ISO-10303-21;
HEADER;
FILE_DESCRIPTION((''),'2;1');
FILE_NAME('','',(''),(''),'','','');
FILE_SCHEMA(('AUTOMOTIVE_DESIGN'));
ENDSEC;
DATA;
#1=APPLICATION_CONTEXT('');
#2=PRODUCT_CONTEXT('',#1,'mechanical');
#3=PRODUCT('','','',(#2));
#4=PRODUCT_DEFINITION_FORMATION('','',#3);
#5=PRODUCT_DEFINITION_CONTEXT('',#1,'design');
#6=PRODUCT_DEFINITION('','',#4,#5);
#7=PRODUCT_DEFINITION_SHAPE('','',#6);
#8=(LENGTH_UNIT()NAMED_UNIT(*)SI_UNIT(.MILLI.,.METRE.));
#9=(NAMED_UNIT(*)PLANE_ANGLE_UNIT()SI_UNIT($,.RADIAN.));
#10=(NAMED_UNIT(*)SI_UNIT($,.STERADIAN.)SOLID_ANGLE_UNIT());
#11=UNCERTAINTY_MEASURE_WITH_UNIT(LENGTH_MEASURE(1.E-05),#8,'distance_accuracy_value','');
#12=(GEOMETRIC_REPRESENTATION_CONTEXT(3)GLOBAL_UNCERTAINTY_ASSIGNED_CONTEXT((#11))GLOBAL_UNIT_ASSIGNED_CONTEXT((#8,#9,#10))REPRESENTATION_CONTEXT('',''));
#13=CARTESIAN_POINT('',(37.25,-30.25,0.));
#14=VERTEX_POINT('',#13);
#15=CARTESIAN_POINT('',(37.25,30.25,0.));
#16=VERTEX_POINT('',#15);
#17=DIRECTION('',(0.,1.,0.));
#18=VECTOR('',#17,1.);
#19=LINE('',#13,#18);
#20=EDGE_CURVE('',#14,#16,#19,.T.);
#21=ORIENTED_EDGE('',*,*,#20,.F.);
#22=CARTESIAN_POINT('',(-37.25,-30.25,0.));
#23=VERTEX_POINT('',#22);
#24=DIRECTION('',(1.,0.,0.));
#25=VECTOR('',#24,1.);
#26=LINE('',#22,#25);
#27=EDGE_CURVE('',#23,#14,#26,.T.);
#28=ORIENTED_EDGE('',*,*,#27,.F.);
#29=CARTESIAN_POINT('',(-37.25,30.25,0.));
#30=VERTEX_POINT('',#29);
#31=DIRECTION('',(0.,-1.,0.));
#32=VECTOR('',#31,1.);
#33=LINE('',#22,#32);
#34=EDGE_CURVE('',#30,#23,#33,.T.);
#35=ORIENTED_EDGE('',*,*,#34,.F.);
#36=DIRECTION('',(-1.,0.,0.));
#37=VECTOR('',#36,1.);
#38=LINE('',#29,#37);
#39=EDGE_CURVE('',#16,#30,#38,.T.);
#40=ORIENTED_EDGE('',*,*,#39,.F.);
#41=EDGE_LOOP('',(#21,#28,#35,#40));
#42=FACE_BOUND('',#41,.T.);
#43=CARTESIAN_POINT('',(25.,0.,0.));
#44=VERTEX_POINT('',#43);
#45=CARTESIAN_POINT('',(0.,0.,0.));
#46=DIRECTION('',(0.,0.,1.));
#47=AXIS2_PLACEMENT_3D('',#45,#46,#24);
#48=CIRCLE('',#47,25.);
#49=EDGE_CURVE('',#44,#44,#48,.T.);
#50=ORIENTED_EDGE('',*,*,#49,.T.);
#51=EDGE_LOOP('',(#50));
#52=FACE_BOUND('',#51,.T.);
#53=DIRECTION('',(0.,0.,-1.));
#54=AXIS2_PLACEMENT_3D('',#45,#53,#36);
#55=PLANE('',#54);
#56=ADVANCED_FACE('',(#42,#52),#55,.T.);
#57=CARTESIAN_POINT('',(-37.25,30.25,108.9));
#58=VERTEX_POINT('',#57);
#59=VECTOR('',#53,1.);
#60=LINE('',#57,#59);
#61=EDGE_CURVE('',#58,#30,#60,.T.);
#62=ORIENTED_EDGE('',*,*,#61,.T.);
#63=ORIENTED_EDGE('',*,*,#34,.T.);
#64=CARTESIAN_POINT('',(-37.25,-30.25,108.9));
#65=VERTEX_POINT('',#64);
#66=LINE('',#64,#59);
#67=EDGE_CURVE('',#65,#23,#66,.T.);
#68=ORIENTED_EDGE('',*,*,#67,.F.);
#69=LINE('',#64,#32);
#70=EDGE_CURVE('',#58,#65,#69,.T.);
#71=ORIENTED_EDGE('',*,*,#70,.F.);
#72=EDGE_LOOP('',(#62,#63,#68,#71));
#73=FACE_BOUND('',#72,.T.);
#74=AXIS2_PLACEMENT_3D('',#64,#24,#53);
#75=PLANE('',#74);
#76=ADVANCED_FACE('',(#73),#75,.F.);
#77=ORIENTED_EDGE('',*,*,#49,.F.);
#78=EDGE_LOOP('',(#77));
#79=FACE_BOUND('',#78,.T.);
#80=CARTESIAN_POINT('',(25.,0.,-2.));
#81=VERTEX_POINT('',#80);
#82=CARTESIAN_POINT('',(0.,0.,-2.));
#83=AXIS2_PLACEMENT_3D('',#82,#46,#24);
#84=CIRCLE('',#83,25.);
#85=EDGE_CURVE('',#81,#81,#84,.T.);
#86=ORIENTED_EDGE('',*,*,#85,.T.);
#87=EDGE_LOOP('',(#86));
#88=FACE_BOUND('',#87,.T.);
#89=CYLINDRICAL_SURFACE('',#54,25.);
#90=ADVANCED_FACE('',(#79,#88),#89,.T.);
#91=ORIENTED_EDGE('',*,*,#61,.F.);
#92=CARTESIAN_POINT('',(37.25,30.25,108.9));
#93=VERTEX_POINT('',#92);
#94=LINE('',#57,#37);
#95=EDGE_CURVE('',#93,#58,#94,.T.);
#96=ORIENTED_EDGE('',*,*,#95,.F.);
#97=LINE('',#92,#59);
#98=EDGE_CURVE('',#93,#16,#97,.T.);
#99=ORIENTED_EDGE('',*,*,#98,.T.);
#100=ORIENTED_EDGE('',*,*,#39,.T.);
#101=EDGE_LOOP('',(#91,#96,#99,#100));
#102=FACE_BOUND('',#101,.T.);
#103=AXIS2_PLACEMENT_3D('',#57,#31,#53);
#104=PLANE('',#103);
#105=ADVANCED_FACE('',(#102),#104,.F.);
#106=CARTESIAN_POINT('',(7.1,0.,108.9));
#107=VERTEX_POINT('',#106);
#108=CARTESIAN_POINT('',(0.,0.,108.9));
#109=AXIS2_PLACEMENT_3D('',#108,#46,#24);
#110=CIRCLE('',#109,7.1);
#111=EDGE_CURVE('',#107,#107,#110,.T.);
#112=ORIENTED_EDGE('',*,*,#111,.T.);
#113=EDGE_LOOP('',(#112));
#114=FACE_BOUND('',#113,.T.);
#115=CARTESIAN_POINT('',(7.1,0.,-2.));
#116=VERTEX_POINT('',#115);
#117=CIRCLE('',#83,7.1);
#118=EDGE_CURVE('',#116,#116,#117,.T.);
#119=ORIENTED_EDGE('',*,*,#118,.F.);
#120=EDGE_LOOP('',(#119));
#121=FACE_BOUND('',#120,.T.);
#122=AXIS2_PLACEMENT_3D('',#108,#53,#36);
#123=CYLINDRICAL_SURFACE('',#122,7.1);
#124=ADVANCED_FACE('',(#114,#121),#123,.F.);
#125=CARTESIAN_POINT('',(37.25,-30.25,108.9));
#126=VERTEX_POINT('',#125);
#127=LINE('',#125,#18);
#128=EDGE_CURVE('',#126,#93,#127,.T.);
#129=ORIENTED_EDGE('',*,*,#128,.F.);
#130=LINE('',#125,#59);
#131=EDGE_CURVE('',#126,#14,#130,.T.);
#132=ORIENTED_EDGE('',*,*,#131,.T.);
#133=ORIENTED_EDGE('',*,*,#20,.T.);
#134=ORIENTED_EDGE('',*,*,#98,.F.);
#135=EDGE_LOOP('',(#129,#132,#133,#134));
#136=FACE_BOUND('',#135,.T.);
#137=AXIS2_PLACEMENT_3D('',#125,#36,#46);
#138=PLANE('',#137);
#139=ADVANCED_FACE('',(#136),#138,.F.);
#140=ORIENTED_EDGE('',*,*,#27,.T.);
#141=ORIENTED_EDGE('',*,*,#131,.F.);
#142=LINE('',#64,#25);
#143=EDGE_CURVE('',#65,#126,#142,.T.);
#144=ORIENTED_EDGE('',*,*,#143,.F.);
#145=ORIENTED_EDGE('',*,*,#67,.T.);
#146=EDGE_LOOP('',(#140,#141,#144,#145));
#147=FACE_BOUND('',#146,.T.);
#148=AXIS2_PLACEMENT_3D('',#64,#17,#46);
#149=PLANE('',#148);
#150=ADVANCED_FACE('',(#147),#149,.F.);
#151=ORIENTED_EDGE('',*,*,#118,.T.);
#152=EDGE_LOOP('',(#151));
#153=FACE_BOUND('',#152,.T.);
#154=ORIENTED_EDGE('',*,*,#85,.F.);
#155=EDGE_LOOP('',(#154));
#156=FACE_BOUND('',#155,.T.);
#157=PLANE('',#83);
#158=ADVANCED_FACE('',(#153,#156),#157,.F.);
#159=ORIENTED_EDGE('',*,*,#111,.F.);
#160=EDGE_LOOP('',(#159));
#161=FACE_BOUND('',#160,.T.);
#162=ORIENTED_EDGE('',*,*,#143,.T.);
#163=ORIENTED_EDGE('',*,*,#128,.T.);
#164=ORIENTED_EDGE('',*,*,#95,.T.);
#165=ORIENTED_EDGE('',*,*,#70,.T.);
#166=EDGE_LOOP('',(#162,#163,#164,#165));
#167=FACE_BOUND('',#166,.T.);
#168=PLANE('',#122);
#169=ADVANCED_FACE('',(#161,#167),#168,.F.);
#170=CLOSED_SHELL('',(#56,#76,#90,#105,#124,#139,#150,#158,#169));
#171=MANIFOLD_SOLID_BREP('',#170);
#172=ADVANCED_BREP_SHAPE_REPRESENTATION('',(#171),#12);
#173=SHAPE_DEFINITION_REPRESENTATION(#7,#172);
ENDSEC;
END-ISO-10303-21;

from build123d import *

# Parameters (mm, degrees)
SKETCH1_W                                     = 74.5
SKETCH1_H                                     = 60.5
SKETCH1_R                                     = 7.1
CONSERVATIVE_MANUFACTURER_CASE_ENVELOPE_DEPTH = 108.9
D50_PILOT_ENVELOPE_START                      = -2
SKETCH2_R                                     = 25
SKETCH2_R_2                                   = 7.1
D50_PILOT_ENVELOPE_DEPTH                      = 2


with BuildPart() as part:
    # Sketch1 → Conservative_Manufacturer_Case_Envelope (new body)
    with BuildSketch(Plane.XY):
        Rectangle(SKETCH1_W, SKETCH1_H)
        Circle(SKETCH1_R, mode=Mode.SUBTRACT)
    extrude(amount=CONSERVATIVE_MANUFACTURER_CASE_ENVELOPE_DEPTH)

    # Sketch2 → D50_Pilot_Envelope (add)
    with BuildSketch(Plane.XY.offset(D50_PILOT_ENVELOPE_START)):
        Circle(SKETCH2_R)
        Circle(SKETCH2_R_2, mode=Mode.SUBTRACT)
    extrude(amount=D50_PILOT_ENVELOPE_DEPTH)


solid = part.part
